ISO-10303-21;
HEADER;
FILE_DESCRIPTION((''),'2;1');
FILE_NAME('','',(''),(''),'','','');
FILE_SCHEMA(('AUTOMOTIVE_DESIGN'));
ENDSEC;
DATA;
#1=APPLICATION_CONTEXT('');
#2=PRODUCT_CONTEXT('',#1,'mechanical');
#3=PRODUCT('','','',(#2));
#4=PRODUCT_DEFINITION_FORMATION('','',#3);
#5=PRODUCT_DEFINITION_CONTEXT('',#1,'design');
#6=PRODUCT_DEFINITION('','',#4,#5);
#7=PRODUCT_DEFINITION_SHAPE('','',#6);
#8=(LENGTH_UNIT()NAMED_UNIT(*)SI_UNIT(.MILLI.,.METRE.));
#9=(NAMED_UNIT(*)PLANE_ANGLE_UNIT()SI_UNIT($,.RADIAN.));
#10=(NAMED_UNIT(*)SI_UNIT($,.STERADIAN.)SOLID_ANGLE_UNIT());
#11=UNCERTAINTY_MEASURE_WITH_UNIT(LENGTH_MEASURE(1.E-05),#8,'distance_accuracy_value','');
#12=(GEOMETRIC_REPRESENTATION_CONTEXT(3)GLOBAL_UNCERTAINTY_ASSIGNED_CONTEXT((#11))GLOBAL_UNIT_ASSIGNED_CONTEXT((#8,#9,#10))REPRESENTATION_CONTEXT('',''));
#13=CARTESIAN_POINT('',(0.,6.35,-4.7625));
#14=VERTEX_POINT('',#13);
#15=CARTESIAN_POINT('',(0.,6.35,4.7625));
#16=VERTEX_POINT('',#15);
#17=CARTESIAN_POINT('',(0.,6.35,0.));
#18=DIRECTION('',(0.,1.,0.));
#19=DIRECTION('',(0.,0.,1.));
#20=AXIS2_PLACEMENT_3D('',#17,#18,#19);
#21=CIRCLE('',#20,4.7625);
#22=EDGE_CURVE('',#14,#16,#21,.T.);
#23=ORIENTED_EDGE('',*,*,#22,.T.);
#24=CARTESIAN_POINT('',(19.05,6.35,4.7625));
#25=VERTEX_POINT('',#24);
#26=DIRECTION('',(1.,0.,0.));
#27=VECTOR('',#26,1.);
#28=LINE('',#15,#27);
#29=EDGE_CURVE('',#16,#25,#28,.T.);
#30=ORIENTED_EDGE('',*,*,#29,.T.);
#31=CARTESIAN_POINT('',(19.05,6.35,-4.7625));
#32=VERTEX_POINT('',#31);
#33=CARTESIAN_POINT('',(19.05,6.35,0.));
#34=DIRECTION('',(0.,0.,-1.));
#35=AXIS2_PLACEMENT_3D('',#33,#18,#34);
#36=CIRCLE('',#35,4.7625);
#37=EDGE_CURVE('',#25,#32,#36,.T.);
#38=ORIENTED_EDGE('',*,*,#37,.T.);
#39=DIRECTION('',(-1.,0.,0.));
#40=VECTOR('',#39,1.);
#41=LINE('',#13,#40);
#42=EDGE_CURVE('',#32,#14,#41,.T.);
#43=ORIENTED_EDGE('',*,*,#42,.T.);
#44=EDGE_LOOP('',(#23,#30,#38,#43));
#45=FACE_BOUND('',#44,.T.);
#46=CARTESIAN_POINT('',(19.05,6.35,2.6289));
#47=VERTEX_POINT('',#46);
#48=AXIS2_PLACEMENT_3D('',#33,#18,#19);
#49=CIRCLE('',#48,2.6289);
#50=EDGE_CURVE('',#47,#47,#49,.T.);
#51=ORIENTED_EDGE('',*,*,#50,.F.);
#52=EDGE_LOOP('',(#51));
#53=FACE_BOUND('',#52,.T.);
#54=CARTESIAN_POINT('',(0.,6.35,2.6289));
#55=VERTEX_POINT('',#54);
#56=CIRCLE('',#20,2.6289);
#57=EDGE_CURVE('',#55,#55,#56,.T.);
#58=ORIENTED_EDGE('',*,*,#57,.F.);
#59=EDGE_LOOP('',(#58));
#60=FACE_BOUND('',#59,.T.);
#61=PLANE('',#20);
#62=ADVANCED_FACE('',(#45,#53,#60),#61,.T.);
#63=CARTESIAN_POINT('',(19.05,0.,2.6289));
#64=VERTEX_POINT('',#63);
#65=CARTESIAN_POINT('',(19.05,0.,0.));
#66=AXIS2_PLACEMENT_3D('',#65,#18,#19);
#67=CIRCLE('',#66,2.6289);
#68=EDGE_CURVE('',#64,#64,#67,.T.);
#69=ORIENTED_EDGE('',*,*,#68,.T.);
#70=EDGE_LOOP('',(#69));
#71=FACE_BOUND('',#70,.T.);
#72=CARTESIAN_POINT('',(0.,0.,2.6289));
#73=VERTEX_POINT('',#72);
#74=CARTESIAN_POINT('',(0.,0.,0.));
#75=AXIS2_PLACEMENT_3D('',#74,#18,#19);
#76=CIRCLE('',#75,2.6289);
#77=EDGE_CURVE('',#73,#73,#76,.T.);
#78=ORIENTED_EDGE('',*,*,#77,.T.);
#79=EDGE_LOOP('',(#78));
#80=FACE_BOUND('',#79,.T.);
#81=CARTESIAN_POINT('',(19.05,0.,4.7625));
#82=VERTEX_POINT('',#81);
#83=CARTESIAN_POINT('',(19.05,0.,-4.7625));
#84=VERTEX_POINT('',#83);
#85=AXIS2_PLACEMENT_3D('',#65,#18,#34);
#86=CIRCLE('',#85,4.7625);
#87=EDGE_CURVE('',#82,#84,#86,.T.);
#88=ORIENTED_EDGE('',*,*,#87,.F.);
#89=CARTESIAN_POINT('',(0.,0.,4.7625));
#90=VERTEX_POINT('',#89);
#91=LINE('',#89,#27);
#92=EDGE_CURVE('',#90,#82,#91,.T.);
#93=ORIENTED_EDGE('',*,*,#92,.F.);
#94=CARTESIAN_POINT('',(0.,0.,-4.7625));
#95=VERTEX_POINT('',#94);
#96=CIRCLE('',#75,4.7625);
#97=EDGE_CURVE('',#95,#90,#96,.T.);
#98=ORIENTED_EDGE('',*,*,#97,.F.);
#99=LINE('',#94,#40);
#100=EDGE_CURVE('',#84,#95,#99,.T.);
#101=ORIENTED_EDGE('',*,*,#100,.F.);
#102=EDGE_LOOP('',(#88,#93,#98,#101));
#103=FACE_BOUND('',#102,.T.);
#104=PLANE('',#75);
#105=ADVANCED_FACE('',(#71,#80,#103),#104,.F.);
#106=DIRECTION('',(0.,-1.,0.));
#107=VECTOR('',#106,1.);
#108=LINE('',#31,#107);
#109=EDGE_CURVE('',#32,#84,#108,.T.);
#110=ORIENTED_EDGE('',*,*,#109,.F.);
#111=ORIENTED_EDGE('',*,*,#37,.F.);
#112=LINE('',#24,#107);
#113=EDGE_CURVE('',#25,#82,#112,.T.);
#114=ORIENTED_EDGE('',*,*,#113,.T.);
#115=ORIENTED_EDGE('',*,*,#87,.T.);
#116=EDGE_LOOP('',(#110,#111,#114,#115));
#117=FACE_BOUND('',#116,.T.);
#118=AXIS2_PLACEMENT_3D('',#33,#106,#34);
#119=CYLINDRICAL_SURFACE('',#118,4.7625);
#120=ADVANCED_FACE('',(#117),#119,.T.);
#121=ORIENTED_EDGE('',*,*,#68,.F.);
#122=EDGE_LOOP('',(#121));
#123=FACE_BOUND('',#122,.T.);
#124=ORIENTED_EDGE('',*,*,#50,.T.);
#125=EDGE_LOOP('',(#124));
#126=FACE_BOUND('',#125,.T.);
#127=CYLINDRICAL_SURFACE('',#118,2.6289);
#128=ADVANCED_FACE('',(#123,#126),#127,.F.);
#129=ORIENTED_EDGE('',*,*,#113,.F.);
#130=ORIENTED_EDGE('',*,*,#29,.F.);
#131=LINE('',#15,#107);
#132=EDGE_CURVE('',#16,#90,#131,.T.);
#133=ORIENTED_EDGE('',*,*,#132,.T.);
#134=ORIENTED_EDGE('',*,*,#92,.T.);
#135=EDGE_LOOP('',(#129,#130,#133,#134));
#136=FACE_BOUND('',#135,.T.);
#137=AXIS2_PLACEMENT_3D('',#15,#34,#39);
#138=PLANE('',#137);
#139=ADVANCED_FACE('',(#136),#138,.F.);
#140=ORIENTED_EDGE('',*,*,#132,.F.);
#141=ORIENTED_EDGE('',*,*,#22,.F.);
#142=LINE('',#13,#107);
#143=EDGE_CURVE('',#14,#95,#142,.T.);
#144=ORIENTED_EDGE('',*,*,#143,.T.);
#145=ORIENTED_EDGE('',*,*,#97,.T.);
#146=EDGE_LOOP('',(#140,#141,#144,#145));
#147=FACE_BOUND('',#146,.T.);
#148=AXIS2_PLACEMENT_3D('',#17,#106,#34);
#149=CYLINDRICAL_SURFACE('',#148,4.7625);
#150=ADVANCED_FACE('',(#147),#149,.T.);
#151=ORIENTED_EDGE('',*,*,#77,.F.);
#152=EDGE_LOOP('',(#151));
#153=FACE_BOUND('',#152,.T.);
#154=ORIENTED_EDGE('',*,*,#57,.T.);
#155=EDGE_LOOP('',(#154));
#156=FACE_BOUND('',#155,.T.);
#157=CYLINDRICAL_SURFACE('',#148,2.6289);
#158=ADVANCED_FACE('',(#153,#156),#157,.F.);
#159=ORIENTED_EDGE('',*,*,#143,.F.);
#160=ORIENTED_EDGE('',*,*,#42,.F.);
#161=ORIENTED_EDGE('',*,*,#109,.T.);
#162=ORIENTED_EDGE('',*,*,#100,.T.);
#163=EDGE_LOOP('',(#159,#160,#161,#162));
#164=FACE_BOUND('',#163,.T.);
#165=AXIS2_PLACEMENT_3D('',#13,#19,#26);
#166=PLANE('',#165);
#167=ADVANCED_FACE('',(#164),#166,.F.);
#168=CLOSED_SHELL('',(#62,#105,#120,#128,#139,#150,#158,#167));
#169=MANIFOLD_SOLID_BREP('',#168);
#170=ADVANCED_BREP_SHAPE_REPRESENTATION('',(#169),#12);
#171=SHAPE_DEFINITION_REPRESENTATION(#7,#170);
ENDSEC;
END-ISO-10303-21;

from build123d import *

# Parameters (mm, degrees)
SKETCH1_R           = 2.6289
BOSS_EXTRUDE1_DEPTH = 6.35


with BuildPart() as part:
    # Sketch1 → Boss-Extrude1 (new body)
    with BuildSketch(Plane(origin=(0, 0, 0), x_dir=(1, 0, 0), z_dir=(0, 1, 0))):
        with BuildLine():
            Line((0, 4.7625), (19.05, 4.7625))
            ThreePointArc((19.05, 4.7625), (23.8125, 0), (19.05, -4.7625))
            Line((19.05, -4.7625), (0, -4.7625))
            ThreePointArc((0, -4.7625), (-4.7625, 0), (0, 4.7625))
        make_face()
        with Locations(Location((0, 0, 0), (0, 0, 270))):
            Circle(SKETCH1_R, mode=Mode.SUBTRACT)
        with Locations(Location((19.05, 0, 0), (0, 0, 270))):
            Circle(SKETCH1_R, mode=Mode.SUBTRACT)
    extrude(amount=BOSS_EXTRUDE1_DEPTH)


solid = part.part
